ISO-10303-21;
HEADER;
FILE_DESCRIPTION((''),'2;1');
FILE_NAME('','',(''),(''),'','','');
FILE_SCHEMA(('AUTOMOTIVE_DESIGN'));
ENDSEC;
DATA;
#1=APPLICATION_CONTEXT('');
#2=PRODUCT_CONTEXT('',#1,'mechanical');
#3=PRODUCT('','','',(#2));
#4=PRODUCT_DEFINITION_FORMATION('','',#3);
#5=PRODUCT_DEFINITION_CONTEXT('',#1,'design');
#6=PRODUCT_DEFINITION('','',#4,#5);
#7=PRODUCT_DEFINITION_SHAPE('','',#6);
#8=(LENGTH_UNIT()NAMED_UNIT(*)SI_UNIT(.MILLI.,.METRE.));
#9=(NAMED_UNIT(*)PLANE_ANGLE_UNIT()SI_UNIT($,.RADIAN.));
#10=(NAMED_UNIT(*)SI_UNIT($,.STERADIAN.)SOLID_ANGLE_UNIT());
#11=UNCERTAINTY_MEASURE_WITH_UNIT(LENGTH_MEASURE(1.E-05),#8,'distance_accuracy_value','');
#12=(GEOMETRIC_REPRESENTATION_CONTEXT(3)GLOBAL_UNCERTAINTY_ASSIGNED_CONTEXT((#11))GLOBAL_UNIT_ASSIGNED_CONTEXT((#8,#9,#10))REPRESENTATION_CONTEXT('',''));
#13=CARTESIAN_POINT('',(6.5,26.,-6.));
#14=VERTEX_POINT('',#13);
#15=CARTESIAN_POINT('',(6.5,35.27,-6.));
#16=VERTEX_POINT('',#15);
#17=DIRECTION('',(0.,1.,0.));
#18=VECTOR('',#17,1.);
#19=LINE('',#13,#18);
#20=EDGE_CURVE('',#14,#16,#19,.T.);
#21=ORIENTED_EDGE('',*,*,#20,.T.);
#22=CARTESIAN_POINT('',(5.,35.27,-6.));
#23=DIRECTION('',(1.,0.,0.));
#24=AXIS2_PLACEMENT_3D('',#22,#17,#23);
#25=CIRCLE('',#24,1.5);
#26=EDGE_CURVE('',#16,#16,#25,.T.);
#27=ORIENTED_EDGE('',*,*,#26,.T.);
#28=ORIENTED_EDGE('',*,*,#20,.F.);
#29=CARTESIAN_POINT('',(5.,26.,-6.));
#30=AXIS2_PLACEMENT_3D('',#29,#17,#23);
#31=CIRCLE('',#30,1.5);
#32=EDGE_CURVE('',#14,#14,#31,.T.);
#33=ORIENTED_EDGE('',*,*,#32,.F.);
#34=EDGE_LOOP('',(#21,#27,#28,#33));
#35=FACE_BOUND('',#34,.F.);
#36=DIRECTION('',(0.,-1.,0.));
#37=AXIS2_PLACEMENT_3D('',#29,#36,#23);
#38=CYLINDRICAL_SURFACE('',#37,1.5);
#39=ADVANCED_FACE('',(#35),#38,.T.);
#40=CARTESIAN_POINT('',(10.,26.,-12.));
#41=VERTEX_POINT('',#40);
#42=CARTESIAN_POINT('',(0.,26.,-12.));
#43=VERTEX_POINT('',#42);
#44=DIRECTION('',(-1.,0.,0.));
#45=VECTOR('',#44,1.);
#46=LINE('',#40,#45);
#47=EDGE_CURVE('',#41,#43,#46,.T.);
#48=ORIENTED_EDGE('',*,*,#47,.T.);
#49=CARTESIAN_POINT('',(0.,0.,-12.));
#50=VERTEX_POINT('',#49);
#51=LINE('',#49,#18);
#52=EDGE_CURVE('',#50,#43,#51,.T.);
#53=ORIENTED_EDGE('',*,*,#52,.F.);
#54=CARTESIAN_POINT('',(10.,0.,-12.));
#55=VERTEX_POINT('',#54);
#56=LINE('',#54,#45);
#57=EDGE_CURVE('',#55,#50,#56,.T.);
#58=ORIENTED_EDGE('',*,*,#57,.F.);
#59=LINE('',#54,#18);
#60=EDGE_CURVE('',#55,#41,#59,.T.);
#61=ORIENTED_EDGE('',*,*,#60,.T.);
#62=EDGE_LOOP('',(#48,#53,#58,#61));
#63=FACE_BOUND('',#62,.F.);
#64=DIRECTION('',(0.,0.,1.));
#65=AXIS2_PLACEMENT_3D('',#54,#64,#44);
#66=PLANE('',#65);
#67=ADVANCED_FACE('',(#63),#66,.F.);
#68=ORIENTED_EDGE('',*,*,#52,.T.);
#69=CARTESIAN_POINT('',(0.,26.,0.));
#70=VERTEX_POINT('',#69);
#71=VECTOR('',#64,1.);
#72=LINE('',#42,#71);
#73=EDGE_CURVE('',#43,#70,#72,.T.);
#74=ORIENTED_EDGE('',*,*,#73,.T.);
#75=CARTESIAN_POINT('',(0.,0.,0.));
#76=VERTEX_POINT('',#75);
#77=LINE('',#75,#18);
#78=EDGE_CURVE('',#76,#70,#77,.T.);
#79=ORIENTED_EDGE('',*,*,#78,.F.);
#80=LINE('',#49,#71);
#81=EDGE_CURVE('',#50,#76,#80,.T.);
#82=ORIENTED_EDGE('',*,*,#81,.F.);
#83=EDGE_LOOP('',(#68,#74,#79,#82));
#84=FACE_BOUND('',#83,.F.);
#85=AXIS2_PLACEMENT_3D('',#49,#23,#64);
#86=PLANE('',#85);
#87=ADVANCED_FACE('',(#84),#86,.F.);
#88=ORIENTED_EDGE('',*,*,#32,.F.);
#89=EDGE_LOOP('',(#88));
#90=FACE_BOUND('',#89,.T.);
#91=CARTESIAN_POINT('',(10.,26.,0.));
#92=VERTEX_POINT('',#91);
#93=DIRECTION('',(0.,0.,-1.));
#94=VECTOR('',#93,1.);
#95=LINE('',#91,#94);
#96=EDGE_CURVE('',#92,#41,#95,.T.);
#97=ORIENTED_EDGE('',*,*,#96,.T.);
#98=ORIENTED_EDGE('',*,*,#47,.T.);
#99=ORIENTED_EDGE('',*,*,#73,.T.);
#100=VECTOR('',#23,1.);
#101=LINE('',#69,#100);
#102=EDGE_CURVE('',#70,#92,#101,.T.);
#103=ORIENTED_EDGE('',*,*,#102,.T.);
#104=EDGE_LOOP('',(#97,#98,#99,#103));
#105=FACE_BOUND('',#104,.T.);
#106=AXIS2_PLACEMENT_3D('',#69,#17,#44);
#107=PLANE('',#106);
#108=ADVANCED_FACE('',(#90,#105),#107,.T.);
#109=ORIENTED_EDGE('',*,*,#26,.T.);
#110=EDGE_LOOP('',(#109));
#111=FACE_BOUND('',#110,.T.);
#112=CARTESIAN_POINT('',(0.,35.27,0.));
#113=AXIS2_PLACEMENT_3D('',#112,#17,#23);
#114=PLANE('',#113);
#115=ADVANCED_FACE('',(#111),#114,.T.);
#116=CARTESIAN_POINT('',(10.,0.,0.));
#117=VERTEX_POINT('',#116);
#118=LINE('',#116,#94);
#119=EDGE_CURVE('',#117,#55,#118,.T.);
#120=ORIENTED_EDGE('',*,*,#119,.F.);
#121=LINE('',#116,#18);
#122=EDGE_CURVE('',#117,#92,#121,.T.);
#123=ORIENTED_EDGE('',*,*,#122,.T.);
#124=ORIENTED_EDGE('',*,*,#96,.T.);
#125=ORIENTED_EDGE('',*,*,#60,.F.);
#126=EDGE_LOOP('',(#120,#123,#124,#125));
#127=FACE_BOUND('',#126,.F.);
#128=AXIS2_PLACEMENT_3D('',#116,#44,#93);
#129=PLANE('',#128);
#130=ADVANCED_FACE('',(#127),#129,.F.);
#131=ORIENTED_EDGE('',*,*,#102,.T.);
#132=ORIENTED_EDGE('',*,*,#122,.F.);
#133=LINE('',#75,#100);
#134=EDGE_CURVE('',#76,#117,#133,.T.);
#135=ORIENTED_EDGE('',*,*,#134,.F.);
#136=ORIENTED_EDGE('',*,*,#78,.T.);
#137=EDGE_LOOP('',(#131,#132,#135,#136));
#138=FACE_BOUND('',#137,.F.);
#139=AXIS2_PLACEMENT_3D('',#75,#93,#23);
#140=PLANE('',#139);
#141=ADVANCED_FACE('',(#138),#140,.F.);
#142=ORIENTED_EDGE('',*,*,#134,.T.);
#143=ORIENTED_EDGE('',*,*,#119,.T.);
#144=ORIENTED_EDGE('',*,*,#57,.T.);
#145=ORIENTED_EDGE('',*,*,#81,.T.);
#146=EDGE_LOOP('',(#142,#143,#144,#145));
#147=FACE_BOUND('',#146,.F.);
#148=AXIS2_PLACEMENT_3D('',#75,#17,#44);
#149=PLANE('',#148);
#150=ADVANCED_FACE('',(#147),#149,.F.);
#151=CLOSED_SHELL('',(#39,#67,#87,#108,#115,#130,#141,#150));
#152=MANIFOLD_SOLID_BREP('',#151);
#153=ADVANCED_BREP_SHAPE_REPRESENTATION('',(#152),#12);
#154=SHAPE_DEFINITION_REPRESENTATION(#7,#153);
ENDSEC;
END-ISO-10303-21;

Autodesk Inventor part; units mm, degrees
ref_plane "YZ Plane" through (0, 0, 0) normal (1, 0, 0) x (0, 1, 0)
ref_plane "XZ Plane" through (0, 0, 0) normal (0, 1, 0) x (-1, 0, 0)
ref_plane "XY Plane" through (0, 0, 0) normal (0, 0, 1) x (1, 0, 0)
sketch "Sketch2" plane through (0, 0, 0) normal (0, 1, 0) x (-1, 0, 0)
  line L0 (0, 0) -> (-10, 0)
  line L1 (-10, 0) -> (-10, -12)
  line L2 (-10, -12) -> (0, -12)
  line L3 (0, -12) -> (0, 0)
  dimension "d3" = 12
  dimension "d4" = 10
extrude "Extrusion1" add sketch "Sketch2" along normal blind 26
sketch "Sketch3" plane through (0, 26, 0) normal (0, 1, 0) x (1, 0, 0)
  line L0 (0, 12) -> (0, 0) projected
  line L1 (0, 6) -> (10, 6) construction
  line L2 (10, 0) -> (10, 12) projected
  line L3 (0, 0) -> (10, 0) projected
  line L4 (5, 0) -> (5, 12) construction
  line L5 (10, 12) -> (0, 12) projected
  circle A0 centre (5, 6) radius 1.5
  dimension "d9" = 3
extrude "Extrusion2" add sketch "Sketch3" along normal blind 9.27 contours A0
properties part number "motor"
